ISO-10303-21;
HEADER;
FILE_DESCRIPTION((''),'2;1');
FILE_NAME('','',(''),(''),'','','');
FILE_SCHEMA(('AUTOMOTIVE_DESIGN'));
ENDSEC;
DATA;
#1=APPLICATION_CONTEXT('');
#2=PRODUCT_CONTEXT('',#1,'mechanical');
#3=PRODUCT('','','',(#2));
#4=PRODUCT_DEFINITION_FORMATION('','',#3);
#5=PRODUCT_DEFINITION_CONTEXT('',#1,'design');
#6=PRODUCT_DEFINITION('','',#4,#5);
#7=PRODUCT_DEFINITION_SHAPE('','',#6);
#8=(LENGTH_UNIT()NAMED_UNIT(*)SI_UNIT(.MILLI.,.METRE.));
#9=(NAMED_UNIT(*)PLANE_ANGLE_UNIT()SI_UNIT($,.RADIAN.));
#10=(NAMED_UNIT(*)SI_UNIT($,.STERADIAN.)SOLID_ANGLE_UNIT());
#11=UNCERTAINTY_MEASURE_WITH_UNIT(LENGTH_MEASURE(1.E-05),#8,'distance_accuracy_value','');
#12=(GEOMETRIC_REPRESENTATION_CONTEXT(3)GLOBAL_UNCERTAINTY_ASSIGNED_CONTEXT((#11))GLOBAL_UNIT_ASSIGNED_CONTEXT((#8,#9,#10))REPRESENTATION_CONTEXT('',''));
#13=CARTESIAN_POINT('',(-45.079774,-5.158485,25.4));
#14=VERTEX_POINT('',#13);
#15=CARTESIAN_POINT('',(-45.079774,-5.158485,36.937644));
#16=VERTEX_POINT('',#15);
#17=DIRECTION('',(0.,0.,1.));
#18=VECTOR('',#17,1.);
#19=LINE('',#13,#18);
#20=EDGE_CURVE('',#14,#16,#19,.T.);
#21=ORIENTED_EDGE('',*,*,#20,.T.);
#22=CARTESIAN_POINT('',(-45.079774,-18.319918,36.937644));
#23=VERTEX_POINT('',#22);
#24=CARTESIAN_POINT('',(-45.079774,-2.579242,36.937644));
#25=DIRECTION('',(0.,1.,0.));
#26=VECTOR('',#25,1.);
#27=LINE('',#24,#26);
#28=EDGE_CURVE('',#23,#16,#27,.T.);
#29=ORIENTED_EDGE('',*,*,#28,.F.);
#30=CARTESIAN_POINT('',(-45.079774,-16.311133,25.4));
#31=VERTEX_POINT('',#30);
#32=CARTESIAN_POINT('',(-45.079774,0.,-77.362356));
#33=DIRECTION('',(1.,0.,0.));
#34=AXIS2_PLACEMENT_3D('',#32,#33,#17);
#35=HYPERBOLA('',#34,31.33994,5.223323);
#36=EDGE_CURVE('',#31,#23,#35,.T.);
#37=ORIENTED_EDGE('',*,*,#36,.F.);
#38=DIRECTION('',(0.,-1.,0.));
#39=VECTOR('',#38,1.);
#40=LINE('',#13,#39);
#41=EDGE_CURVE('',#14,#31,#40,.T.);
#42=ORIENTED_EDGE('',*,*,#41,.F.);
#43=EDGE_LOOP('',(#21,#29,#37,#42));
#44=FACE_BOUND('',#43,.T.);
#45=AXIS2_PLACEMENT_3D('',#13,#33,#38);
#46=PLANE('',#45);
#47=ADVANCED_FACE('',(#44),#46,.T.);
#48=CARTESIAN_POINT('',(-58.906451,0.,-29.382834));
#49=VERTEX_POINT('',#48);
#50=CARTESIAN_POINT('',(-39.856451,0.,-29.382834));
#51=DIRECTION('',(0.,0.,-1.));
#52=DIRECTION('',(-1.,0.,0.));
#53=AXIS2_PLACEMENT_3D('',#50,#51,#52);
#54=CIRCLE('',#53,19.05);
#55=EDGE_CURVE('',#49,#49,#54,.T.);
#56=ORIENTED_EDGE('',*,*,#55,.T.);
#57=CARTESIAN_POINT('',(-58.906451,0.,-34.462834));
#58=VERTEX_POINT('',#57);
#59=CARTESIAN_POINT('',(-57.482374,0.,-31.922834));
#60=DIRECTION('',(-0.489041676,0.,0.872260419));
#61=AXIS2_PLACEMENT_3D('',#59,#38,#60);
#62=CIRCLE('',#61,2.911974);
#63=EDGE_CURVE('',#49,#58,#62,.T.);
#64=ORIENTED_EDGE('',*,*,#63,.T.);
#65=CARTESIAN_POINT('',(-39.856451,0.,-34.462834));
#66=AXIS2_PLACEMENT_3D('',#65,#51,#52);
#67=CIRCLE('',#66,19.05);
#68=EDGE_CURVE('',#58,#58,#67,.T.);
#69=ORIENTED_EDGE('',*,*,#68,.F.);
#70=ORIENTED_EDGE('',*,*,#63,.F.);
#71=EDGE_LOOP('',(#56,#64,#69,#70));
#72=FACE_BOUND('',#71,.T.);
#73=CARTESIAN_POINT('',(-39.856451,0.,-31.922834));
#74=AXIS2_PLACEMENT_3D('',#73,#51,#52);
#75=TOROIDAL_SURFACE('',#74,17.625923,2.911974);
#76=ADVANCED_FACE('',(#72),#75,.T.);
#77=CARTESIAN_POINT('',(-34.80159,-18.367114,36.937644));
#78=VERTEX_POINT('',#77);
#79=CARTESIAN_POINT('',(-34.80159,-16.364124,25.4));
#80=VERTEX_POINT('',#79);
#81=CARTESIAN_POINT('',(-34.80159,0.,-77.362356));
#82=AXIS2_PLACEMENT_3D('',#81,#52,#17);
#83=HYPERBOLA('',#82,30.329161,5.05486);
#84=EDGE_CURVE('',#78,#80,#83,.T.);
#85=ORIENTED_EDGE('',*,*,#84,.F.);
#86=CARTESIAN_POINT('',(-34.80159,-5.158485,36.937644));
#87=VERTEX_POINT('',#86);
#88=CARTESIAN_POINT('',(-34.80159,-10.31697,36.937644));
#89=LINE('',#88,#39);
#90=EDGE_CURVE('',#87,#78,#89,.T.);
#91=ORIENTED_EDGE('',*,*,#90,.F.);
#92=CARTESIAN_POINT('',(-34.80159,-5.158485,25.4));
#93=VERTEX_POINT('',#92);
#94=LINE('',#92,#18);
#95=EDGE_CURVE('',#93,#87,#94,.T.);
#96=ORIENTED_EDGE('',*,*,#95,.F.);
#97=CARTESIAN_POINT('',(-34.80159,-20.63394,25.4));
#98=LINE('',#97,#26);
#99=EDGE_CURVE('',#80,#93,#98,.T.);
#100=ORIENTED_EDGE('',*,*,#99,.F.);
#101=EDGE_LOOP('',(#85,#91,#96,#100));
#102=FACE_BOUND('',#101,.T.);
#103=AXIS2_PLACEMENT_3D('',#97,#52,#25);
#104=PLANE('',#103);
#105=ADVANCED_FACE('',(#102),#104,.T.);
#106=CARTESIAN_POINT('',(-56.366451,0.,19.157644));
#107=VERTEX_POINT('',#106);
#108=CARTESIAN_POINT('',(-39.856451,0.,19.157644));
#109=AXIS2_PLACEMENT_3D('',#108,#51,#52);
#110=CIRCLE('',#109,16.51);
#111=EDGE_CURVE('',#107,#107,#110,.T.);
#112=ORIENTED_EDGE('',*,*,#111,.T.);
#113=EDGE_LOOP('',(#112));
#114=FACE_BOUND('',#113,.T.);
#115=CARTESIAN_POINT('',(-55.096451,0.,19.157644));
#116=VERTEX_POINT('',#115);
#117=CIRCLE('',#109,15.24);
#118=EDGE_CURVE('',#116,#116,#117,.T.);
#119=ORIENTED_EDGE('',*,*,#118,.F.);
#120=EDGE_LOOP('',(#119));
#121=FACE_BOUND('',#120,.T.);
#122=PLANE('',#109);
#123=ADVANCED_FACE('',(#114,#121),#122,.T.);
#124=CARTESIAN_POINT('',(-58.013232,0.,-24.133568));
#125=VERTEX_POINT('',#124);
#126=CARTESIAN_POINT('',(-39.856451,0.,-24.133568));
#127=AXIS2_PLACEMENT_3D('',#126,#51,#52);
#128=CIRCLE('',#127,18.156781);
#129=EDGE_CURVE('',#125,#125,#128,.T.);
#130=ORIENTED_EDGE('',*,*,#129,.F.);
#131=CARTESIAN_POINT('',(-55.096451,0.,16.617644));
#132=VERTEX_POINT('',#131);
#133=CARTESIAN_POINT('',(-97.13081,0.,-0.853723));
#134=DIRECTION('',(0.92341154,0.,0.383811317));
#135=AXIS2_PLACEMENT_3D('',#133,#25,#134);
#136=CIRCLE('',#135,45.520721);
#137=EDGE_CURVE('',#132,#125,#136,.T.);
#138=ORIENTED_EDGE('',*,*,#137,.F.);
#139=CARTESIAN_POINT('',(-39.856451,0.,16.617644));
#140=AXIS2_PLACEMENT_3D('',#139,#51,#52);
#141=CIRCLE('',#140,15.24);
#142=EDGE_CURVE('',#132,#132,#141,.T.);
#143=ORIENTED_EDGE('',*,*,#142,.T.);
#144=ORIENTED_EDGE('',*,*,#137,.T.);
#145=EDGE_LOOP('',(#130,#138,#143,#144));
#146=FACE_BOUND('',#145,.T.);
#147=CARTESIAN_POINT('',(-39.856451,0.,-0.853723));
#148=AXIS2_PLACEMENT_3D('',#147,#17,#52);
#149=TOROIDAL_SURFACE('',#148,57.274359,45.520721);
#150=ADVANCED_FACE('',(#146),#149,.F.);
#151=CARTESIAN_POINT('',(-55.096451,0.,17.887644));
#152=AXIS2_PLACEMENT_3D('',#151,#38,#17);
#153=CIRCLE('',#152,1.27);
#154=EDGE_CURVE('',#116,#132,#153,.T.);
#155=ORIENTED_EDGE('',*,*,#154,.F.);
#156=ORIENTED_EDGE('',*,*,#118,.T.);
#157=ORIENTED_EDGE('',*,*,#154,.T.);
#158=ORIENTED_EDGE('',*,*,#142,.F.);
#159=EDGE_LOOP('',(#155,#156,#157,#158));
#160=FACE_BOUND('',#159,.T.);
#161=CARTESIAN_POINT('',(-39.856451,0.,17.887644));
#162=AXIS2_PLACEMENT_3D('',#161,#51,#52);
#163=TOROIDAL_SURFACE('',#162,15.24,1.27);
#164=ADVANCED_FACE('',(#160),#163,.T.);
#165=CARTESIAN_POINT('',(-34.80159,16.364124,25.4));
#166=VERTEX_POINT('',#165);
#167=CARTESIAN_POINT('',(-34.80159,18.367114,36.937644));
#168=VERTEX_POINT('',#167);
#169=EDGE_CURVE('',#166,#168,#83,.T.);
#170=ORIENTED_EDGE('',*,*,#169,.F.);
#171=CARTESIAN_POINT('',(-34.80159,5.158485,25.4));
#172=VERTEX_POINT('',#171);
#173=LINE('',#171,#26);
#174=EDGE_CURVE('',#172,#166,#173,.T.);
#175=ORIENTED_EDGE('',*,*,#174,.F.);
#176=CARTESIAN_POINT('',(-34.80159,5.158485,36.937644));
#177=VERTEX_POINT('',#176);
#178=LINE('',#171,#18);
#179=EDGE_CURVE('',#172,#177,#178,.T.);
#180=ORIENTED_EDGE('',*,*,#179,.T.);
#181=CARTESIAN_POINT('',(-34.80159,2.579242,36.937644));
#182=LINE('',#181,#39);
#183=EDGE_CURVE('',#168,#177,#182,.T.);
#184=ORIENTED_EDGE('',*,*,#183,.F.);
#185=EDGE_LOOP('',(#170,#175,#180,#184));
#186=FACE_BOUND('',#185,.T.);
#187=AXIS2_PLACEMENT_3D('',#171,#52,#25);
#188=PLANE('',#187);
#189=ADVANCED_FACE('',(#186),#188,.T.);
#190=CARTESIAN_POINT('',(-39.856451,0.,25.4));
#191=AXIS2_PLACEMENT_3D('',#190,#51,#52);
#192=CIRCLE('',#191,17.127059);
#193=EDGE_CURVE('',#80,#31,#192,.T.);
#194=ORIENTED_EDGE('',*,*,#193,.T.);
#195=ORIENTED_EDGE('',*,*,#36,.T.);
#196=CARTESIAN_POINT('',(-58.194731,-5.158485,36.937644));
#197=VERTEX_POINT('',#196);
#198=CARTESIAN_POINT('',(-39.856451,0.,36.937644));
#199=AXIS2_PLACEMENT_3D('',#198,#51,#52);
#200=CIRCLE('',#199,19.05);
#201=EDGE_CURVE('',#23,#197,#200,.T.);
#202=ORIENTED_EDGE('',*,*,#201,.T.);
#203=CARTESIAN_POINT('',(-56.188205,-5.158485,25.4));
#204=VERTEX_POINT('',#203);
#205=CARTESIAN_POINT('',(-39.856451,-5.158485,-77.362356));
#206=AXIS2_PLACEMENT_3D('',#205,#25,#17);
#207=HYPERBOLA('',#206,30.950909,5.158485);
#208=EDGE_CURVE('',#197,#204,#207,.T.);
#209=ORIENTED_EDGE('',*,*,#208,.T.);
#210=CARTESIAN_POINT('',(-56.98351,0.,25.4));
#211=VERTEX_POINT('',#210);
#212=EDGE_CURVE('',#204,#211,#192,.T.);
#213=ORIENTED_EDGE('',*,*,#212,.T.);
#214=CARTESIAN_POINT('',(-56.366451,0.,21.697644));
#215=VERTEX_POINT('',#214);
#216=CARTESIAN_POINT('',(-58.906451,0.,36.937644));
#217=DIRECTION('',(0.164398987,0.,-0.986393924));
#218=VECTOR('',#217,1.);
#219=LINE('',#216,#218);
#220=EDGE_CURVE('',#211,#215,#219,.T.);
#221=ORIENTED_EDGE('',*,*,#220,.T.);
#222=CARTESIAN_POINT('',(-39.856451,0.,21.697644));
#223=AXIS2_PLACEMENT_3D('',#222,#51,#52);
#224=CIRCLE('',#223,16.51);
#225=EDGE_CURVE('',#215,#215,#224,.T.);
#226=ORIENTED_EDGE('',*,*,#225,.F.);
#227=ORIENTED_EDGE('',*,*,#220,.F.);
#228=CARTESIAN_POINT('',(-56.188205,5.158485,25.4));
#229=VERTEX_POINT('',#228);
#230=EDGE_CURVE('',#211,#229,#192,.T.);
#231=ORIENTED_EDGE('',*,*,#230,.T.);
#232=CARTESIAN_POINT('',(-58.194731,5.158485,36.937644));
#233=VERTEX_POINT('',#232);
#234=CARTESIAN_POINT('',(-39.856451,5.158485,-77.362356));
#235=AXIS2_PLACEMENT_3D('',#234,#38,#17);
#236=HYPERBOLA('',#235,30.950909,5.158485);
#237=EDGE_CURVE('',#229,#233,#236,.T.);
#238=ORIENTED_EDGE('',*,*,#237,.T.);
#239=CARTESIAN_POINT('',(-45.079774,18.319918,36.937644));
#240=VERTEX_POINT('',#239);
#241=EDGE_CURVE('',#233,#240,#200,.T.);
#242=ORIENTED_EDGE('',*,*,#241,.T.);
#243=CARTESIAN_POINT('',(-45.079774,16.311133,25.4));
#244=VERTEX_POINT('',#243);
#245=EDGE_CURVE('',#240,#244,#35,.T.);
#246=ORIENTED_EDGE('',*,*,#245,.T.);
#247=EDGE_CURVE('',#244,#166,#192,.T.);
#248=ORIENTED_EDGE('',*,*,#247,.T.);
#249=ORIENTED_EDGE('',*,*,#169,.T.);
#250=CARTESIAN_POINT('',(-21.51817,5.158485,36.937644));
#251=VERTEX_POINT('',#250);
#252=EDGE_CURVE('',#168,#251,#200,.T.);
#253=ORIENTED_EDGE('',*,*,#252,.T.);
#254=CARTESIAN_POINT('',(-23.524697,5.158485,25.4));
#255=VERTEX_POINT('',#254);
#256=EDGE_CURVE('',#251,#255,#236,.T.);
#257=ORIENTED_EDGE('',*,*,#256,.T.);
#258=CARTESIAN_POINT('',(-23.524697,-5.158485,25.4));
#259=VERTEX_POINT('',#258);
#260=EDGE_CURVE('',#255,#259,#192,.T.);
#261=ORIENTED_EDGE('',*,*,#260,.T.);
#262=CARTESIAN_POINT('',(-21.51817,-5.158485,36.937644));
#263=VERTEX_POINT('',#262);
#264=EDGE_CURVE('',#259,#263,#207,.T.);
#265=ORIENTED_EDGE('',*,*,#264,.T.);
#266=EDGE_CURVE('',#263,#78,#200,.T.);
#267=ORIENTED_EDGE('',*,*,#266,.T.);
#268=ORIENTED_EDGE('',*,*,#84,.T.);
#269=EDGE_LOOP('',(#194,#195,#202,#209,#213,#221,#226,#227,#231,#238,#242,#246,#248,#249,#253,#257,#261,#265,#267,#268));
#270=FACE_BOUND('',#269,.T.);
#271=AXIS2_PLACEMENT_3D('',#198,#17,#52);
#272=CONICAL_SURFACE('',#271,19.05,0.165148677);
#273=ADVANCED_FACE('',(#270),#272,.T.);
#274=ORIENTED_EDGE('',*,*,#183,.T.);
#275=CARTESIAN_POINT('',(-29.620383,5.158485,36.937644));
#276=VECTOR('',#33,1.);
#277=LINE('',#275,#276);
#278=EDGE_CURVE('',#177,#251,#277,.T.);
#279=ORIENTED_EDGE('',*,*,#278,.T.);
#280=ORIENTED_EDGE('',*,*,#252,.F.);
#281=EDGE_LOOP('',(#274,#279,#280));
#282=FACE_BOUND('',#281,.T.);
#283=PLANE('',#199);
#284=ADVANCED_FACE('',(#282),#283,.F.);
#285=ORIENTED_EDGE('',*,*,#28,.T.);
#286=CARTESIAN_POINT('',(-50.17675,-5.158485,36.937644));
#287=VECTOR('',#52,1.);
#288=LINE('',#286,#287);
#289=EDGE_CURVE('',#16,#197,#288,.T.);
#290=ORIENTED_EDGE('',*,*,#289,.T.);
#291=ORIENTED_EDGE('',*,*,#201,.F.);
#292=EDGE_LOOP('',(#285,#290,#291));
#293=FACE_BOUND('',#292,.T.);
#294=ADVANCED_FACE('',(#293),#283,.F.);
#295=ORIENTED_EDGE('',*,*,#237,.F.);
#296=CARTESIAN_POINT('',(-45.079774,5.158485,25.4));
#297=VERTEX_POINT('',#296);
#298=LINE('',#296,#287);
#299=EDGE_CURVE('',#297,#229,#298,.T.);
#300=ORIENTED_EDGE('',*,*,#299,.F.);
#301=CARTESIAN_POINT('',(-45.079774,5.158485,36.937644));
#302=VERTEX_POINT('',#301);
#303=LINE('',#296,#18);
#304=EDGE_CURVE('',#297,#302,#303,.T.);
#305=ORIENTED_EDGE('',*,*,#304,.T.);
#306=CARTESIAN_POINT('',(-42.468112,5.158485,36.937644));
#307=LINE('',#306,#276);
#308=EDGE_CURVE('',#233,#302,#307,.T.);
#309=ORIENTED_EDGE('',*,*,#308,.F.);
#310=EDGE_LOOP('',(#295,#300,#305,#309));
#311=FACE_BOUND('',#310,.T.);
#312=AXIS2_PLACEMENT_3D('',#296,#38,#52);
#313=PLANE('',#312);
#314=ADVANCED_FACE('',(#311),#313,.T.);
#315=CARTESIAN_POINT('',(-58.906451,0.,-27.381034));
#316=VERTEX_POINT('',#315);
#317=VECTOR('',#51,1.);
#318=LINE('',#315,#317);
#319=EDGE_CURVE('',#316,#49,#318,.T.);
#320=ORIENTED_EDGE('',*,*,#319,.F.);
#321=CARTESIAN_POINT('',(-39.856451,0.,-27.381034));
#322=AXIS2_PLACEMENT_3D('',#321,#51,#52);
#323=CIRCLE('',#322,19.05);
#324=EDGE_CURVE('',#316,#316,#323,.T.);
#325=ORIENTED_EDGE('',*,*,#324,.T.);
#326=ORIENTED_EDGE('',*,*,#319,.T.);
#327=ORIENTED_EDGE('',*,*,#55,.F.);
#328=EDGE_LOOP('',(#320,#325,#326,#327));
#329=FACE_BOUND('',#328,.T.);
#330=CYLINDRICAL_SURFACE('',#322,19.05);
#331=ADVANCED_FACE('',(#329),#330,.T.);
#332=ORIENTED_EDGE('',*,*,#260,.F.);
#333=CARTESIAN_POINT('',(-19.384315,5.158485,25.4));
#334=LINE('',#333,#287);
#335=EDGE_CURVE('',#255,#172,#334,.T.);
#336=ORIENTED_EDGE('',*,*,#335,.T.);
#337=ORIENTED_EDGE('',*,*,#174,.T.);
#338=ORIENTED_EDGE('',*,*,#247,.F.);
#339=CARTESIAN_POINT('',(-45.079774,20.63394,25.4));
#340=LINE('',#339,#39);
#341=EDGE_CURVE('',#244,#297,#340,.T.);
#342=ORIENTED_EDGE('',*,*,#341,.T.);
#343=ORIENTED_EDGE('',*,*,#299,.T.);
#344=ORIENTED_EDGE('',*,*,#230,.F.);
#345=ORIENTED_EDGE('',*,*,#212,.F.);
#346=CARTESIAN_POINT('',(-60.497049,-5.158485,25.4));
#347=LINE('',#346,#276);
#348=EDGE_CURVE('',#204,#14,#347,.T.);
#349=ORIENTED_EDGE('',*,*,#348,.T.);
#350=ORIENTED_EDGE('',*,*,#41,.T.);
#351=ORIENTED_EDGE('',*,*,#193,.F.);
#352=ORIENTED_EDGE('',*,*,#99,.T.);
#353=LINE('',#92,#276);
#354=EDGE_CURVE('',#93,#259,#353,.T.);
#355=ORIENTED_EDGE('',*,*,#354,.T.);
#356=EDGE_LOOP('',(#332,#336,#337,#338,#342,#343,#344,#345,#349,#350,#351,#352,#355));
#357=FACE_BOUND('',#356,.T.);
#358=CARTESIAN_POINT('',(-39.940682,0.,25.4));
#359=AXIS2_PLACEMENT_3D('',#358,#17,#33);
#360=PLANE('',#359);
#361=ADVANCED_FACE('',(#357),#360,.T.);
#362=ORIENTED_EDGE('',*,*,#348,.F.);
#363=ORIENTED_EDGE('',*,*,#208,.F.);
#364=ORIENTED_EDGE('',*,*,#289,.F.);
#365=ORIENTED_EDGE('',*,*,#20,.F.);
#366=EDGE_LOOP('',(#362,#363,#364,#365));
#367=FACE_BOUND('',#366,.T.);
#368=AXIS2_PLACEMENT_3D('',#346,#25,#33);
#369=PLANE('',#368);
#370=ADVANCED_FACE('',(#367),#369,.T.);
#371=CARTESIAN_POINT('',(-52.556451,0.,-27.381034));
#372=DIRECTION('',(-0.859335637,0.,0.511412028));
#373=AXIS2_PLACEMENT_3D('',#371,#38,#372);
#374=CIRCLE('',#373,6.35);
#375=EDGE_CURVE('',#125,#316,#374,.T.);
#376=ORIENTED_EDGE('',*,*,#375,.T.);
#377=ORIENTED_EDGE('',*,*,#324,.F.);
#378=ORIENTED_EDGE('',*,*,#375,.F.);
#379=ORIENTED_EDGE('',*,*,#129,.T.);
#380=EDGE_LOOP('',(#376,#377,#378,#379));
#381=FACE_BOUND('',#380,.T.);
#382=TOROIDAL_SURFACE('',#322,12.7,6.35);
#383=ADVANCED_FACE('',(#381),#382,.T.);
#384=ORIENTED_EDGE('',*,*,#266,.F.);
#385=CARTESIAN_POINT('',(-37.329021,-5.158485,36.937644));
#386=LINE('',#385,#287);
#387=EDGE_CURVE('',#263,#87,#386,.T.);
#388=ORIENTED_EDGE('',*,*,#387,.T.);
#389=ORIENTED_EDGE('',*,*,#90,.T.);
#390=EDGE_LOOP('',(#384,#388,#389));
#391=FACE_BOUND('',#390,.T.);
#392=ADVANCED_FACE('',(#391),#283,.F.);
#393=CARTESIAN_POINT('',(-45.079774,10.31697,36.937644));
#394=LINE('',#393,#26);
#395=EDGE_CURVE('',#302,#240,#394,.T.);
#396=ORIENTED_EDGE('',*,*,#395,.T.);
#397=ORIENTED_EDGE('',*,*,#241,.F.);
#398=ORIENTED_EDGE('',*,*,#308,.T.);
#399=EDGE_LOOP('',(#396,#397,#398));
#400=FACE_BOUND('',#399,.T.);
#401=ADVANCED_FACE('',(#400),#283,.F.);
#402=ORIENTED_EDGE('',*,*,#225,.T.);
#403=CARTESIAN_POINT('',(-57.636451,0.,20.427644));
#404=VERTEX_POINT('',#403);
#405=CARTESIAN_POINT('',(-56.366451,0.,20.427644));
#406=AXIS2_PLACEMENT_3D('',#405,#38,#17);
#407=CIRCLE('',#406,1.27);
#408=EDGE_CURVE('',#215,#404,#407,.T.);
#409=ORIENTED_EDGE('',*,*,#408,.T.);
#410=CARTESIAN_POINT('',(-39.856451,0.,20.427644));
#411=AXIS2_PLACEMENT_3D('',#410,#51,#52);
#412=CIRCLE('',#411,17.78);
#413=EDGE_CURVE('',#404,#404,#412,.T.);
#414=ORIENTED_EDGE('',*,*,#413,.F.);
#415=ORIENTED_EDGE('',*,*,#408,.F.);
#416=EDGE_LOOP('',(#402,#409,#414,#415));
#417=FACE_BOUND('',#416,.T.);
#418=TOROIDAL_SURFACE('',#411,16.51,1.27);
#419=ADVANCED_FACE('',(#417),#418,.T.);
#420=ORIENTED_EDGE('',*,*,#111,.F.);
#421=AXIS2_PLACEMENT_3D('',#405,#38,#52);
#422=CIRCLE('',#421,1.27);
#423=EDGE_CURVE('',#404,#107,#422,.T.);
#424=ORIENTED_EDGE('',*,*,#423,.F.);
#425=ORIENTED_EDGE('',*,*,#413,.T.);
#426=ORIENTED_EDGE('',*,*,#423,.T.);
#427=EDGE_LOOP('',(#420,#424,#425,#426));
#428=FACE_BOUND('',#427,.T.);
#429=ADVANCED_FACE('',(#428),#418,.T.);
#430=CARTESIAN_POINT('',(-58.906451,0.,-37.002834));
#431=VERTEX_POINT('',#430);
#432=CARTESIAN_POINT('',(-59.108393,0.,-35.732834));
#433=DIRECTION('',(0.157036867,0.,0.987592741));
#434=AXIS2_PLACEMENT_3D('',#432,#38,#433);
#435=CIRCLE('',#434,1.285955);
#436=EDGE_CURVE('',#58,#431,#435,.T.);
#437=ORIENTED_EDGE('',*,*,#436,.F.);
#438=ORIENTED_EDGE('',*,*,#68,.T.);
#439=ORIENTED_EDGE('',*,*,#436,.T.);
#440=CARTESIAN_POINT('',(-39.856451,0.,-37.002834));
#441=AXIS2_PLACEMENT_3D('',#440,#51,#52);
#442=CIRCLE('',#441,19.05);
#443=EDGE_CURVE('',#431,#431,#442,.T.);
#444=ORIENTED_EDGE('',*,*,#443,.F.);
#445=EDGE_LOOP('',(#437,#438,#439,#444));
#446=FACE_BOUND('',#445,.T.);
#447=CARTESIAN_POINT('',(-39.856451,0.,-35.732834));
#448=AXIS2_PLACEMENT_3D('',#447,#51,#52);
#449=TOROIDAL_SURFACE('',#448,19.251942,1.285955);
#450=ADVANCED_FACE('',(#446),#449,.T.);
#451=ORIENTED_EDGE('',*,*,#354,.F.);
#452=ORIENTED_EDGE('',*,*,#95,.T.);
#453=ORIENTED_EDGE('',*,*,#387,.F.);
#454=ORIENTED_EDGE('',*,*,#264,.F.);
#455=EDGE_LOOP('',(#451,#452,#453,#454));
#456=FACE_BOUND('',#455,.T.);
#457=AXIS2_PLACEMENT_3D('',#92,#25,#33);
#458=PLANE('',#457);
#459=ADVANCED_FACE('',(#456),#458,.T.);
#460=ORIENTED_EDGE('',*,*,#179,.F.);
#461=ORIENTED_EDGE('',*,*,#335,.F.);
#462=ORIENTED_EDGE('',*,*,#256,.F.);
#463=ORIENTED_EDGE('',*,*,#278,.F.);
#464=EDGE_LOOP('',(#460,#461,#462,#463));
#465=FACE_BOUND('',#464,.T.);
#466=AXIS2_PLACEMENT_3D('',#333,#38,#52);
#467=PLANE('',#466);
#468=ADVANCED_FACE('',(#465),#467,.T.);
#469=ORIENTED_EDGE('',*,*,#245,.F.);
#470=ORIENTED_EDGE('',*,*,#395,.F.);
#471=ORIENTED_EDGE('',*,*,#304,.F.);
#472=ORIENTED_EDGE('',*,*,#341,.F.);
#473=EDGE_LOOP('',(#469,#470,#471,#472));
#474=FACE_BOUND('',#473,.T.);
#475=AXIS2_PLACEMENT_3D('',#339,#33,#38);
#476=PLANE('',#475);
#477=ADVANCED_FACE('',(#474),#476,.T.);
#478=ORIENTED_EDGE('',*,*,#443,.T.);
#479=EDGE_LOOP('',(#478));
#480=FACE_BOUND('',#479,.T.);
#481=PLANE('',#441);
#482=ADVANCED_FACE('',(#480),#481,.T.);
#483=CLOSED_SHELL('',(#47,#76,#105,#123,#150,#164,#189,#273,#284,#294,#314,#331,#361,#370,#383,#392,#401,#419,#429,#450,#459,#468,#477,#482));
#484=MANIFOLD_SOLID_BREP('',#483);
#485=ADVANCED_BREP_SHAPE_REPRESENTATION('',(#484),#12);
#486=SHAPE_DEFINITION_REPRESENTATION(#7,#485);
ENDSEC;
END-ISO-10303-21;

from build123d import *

# Parameters (mm, degrees)
F3_START = 25.4
F3_DEPTH = 25.4


with BuildPart() as f1:
    # F0 (on Front) → F1 (revolve)
    with BuildSketch(Plane.XZ):
        with BuildLine():
            ThreePointArc((-58.9064506507, -29.3828336132), (-60.3943482023, -31.9228336132), (-58.9064506507, -34.4628336132))
            Line((-58.9064506507, -34.4628336132), (-39.8564506507, -34.4628336132))
            Line((-39.8564506507, -34.4628336132), (-39.8564506507, -29.3828336132))
            Line((-39.8564506507, -29.3828336132), (-58.9064506507, -29.3828336132))
        make_face()
        with BuildLine():
            Line((-39.8564506507, -34.4628336132), (-58.9064506507, -34.4628336132))
            ThreePointArc((-58.9064506507, -34.4628336132), (-60.3943482023, -35.7328336132), (-58.9064506507, -37.0028336132))
            Line((-58.9064506507, -37.0028336132), (-39.8564506507, -37.0028336132))
            Line((-39.8564506507, -37.0028336132), (-39.8564506507, -34.4628336132))
        make_face()
        with BuildLine():
            Line((-58.9064506507, -27.3810339656), (-58.9064506507, -29.3828336132))
            Line((-58.9064506507, -29.3828336132), (-39.8564506507, -29.3828336132))
            Line((-39.8564506507, -29.3828336132), (-39.8564506507, 16.6176444697))
            Line((-39.8564506507, 16.6176444697), (-55.0964506507, 16.6176444697))
            ThreePointArc((-55.0964506507, 16.6176444697), (-51.7262445848, -4.1035699431), (-58.0132319469, -24.1335675862))
            ThreePointArc((-58.0132319469, -24.1335675862), (-58.6790751382, -25.6970003007), (-58.9064506507, -27.3810339656))
        make_face()
        with BuildLine():
            Line((-55.0964506507, 16.6176444697), (-39.8564506507, 16.6176444697))
            Line((-39.8564506507, 16.6176444697), (-39.8564506507, 19.1576444697))
            Line((-39.8564506507, 19.1576444697), (-55.0964506507, 19.1576444697))
            ThreePointArc((-55.0964506507, 19.1576444697), (-56.3664506507, 17.8876444697), (-55.0964506507, 16.6176444697))
        make_face()
        Polygon((-55.0964506507, 19.1576444697), (-39.8564506507, 19.1576444697), (-39.8564506507, 21.6976444697), (-56.3664506507, 21.6976444697), (-56.3664506507, 20.4276444697), (-56.3664506507, 19.1576444697), align=None)
        Polygon((-56.3664506507, 21.6976444697), (-39.8564506507, 21.6976444697), (-39.8564506507, 36.9376444697), (-49.3814506507, 36.9376444697), (-58.9064506507, 36.9376444697), align=None)
        with BuildLine():
            Line((-56.3664506507, 20.4276444697), (-56.3664506507, 21.6976444697))
            ThreePointArc((-56.3664506507, 21.6976444697), (-57.2644762628, 21.3256700818), (-57.6364506507, 20.4276444697))
            Line((-57.6364506507, 20.4276444697), (-56.3664506507, 20.4276444697))
        make_face()
        with BuildLine():
            ThreePointArc((-57.6364506507, 20.4276444697), (-57.2644762628, 19.5296188576), (-56.3664506507, 19.1576444697))
            Line((-56.3664506507, 19.1576444697), (-56.3664506507, 20.4276444697))
            Line((-56.3664506507, 20.4276444697), (-57.6364506507, 20.4276444697))
        make_face()
    revolve(axis=Axis((-39.8564506507, 0, -0.0325945717), (0, 0, -1)))

    # F2 (on Top) → F3 (cut)
    with BuildSketch(Plane.XY.offset(F3_START)):
        Polygon((-34.8015904892, -20.6339396536), (-34.8015904892, -5.1584849134), (-19.3843152374, -5.1584849134), (-19.3843152374, 5.1584849134), (-29.6624987386, 5.1584849134), (-34.8015904892, 5.1584849134), (-34.8015904892, 20.6339396536), (-39.9406822398, 20.6339396536), (-45.0797739904, 20.6339396536), (-45.0797739904, 5.1584849134), (-50.218865741, 5.1584849134), (-60.4970492423, 5.1584849134), (-60.4970492423, -5.1584849134), (-45.0797739904, -5.1584849134), (-45.0797739904, -20.6339396536), (-39.9406822398, -20.6339396536), align=None)
    extrude(amount=F3_DEPTH, mode=Mode.SUBTRACT)


solid = f1.part
